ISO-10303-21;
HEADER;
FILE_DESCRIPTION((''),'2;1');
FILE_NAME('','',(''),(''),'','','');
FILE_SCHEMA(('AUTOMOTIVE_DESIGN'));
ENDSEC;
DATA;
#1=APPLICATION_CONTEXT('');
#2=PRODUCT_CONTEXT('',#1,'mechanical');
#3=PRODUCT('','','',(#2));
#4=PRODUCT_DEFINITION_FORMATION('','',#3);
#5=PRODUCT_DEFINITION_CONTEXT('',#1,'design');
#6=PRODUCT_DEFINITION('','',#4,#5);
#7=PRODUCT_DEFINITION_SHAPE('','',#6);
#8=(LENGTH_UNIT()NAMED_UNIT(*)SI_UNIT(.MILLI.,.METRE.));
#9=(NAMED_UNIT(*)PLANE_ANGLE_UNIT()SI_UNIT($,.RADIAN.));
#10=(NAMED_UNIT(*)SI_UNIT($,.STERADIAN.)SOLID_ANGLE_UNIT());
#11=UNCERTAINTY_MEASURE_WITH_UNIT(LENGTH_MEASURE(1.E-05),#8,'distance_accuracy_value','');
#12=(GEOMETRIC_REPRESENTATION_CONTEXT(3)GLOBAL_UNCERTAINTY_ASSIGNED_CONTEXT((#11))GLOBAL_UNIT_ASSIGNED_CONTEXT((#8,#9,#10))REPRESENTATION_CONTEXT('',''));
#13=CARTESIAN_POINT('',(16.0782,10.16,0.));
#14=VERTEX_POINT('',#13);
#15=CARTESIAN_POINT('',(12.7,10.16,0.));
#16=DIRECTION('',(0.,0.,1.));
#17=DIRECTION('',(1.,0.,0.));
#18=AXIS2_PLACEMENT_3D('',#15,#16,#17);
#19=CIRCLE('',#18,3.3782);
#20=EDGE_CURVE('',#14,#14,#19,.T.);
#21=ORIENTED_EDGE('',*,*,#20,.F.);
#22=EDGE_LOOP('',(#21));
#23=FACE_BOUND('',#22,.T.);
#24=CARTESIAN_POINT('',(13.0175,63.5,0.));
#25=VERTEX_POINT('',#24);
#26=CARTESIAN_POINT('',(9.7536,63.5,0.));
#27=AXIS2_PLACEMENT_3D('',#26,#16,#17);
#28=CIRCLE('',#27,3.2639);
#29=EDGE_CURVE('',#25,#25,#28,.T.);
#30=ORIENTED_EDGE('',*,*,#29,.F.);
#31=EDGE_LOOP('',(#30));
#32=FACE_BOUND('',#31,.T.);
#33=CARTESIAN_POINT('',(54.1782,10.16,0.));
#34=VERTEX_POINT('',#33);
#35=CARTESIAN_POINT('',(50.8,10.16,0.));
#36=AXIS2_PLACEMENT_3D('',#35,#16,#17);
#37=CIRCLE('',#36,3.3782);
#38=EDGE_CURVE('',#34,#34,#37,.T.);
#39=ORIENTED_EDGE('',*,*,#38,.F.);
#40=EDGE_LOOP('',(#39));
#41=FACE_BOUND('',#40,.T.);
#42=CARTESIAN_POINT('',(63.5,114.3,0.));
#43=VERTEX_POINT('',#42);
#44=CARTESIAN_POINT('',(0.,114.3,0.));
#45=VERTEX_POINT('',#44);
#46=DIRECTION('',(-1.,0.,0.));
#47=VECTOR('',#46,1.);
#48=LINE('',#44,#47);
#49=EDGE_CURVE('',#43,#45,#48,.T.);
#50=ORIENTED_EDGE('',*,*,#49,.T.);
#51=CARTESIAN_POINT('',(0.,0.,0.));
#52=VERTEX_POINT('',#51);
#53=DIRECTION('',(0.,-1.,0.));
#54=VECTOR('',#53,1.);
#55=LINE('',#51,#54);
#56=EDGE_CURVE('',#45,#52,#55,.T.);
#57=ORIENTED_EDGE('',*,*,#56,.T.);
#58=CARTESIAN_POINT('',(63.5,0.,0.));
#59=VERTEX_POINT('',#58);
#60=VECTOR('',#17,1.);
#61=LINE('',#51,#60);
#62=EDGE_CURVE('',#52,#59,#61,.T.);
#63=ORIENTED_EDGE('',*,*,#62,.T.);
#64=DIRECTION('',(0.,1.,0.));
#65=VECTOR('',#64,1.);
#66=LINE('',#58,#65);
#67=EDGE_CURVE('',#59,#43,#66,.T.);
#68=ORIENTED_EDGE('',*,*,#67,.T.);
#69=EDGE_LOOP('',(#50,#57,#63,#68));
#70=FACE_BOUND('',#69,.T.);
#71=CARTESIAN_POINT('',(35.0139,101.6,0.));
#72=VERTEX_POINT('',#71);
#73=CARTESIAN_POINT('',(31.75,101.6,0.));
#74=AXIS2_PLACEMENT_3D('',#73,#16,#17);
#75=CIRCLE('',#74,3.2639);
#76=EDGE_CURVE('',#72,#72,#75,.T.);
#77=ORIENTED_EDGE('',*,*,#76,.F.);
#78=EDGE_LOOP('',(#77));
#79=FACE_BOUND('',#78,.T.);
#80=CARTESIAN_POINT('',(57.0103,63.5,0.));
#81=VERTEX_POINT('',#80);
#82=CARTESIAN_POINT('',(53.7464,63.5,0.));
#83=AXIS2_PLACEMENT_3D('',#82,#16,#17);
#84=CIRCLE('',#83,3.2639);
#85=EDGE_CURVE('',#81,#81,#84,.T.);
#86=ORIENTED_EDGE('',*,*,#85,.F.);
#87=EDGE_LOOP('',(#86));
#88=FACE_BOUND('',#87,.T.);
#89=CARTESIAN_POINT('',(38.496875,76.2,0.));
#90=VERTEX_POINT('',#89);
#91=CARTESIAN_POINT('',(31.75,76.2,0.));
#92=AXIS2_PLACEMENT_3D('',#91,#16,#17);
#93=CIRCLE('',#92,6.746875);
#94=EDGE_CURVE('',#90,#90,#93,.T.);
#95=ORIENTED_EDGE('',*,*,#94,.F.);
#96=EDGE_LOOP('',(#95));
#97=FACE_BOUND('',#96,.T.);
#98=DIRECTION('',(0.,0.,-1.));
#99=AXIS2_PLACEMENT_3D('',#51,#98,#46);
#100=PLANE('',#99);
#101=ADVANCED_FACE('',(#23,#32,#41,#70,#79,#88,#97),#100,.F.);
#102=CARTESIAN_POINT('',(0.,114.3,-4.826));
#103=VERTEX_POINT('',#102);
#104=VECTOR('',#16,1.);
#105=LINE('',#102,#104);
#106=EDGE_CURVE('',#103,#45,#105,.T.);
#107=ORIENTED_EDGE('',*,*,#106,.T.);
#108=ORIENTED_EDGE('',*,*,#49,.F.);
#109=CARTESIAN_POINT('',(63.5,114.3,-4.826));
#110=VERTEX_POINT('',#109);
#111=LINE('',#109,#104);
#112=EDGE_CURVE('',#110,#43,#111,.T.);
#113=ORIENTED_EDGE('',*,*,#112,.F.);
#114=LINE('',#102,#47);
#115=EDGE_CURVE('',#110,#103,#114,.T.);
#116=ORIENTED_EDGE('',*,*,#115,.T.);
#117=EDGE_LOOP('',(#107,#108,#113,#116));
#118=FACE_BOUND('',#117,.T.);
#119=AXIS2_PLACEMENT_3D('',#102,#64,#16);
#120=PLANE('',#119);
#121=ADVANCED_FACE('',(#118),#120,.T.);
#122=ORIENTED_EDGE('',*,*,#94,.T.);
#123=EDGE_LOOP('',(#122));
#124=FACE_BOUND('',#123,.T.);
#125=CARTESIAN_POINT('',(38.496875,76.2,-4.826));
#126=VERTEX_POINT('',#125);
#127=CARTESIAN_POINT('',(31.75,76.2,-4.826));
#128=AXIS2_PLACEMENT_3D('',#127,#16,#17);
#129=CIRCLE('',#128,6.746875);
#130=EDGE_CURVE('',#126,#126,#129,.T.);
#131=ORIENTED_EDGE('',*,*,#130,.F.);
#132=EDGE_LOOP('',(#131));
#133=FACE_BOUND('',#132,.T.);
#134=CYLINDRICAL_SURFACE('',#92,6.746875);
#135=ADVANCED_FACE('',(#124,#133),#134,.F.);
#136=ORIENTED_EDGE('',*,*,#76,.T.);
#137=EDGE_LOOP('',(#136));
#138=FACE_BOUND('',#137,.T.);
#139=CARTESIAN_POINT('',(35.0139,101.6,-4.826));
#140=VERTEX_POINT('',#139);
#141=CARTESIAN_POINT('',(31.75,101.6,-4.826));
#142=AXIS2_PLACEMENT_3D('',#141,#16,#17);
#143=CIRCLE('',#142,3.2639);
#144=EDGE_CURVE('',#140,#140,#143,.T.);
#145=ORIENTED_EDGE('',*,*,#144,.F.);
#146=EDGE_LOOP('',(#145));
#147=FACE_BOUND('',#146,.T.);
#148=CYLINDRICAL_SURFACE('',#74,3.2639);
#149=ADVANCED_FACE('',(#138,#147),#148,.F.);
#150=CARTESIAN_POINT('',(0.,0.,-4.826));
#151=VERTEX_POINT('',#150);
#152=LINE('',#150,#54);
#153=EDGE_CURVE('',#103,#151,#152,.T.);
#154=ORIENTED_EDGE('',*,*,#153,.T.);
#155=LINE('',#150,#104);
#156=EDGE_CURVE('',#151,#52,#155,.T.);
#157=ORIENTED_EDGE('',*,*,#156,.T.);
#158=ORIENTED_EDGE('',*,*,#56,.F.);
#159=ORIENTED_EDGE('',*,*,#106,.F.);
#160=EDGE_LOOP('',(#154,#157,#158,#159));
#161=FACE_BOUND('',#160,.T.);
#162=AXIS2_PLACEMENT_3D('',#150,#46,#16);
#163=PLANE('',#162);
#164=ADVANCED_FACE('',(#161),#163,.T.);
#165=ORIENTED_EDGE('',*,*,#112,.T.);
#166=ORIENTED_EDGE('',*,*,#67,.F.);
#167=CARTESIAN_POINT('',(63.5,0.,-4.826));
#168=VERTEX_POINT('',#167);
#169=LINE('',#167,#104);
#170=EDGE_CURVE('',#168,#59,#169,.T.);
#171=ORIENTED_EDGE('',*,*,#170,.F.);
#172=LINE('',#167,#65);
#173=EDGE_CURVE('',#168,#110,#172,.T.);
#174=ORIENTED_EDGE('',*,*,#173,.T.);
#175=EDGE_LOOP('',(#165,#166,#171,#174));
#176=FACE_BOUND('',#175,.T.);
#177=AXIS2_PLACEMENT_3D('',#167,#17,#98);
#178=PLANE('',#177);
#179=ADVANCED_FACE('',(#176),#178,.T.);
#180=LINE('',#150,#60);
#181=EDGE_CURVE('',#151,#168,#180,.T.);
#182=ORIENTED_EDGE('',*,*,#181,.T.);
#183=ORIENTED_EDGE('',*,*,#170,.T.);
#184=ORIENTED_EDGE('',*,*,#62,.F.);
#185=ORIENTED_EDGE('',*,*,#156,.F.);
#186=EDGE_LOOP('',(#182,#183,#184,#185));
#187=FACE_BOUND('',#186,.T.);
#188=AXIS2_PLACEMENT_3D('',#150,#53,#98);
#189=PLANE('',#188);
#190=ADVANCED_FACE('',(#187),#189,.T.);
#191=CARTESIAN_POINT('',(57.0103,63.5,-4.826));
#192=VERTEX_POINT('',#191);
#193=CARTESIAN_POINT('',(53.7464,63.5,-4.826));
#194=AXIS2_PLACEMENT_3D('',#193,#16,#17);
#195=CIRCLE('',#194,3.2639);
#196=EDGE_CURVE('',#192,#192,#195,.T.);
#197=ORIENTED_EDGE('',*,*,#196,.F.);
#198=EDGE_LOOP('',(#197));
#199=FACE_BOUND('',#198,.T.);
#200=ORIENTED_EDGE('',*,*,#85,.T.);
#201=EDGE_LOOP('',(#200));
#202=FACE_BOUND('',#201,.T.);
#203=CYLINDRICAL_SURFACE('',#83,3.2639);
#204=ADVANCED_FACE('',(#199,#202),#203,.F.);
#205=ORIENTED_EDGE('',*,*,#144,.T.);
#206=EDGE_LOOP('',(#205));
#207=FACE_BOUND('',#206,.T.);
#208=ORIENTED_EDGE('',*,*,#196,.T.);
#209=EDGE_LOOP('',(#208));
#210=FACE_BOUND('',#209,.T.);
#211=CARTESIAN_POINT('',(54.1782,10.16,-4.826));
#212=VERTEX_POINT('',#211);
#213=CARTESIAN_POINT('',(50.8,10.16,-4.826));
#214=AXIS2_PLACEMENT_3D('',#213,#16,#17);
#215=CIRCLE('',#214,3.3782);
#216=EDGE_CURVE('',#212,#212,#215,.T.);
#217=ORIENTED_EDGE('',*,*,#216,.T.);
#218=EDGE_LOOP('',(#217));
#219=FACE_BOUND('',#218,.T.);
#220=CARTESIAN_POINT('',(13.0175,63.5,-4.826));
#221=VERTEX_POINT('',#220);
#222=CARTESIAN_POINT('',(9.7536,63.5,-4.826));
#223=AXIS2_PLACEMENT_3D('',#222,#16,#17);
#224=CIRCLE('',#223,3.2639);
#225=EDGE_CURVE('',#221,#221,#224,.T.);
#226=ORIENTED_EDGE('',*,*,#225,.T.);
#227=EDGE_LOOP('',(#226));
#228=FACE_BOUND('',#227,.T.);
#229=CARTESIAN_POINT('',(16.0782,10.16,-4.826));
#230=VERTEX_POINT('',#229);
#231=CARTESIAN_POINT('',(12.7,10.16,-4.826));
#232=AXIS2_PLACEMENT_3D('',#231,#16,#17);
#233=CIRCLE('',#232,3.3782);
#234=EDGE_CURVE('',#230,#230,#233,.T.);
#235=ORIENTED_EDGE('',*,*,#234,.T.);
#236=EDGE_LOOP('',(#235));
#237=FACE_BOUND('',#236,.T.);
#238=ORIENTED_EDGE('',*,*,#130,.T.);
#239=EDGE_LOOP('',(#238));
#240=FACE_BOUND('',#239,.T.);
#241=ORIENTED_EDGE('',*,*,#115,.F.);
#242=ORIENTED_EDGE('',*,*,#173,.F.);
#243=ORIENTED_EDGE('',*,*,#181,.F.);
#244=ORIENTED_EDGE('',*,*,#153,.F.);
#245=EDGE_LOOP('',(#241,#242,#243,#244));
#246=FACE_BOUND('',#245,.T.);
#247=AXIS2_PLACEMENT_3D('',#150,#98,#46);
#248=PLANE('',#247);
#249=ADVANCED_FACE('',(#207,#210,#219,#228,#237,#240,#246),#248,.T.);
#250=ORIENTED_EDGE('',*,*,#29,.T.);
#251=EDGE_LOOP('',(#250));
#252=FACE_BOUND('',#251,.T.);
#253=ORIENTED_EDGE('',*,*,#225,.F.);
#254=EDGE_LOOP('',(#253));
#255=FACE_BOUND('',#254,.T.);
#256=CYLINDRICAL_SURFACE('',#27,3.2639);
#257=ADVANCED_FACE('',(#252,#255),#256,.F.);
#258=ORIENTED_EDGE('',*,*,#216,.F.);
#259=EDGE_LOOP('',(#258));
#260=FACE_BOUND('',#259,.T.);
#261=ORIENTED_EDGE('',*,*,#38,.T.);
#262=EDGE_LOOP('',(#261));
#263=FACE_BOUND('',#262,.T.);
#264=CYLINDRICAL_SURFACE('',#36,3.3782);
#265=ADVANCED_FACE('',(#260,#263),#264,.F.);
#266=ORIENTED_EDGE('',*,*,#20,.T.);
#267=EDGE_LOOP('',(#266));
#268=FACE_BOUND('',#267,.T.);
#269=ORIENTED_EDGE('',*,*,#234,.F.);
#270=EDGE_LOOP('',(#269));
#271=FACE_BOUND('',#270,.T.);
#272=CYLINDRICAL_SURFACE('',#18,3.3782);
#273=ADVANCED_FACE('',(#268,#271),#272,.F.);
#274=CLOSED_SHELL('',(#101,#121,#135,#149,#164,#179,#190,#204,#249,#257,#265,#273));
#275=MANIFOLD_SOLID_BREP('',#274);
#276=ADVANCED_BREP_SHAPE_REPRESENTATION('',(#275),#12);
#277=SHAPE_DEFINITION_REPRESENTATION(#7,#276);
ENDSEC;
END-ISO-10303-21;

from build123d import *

# Parameters (mm, degrees)
SKETCH1_W                        = 63.5
SKETCH1_H                        = 114.3
BOSS_EXTRUDE1_DEPTH              = 4.826
F_0_257_DIAMETER_HOLE2_D         = 6.7564
F_0_257_DIAMETER_HOLE5_D         = 6.5278
F_17_32_0_53125_DIAMETER_HOLE1_D = 13.49375


with BuildPart() as part:
    # Sketch1 → Boss-Extrude1 (new body)
    with BuildSketch(Plane.XY):
        with Locations((31.75, 57.15)):
            Rectangle(SKETCH1_W, SKETCH1_H)
    extrude(amount=-BOSS_EXTRUDE1_DEPTH)

    # F (0.257) Diameter Hole2 (through all)
    with Locations(Plane.XY):
        with Locations((12.7, 10.16), (50.8, 10.16)):
            Hole(F_0_257_DIAMETER_HOLE2_D / 2)

    # F (0.257) Diameter Hole5 (through all)
    with Locations(Plane.XY):
        with Locations((31.75, 101.6), (9.7536, 63.5), (53.7464, 63.5)):
            Hole(F_0_257_DIAMETER_HOLE5_D / 2)

    # 17/32 (0.53125) Diameter Hole1 (through all)
    with Locations(Plane.XY):
        with Locations((31.75, 76.2)):
            Hole(F_17_32_0_53125_DIAMETER_HOLE1_D / 2)


solid = part.part
